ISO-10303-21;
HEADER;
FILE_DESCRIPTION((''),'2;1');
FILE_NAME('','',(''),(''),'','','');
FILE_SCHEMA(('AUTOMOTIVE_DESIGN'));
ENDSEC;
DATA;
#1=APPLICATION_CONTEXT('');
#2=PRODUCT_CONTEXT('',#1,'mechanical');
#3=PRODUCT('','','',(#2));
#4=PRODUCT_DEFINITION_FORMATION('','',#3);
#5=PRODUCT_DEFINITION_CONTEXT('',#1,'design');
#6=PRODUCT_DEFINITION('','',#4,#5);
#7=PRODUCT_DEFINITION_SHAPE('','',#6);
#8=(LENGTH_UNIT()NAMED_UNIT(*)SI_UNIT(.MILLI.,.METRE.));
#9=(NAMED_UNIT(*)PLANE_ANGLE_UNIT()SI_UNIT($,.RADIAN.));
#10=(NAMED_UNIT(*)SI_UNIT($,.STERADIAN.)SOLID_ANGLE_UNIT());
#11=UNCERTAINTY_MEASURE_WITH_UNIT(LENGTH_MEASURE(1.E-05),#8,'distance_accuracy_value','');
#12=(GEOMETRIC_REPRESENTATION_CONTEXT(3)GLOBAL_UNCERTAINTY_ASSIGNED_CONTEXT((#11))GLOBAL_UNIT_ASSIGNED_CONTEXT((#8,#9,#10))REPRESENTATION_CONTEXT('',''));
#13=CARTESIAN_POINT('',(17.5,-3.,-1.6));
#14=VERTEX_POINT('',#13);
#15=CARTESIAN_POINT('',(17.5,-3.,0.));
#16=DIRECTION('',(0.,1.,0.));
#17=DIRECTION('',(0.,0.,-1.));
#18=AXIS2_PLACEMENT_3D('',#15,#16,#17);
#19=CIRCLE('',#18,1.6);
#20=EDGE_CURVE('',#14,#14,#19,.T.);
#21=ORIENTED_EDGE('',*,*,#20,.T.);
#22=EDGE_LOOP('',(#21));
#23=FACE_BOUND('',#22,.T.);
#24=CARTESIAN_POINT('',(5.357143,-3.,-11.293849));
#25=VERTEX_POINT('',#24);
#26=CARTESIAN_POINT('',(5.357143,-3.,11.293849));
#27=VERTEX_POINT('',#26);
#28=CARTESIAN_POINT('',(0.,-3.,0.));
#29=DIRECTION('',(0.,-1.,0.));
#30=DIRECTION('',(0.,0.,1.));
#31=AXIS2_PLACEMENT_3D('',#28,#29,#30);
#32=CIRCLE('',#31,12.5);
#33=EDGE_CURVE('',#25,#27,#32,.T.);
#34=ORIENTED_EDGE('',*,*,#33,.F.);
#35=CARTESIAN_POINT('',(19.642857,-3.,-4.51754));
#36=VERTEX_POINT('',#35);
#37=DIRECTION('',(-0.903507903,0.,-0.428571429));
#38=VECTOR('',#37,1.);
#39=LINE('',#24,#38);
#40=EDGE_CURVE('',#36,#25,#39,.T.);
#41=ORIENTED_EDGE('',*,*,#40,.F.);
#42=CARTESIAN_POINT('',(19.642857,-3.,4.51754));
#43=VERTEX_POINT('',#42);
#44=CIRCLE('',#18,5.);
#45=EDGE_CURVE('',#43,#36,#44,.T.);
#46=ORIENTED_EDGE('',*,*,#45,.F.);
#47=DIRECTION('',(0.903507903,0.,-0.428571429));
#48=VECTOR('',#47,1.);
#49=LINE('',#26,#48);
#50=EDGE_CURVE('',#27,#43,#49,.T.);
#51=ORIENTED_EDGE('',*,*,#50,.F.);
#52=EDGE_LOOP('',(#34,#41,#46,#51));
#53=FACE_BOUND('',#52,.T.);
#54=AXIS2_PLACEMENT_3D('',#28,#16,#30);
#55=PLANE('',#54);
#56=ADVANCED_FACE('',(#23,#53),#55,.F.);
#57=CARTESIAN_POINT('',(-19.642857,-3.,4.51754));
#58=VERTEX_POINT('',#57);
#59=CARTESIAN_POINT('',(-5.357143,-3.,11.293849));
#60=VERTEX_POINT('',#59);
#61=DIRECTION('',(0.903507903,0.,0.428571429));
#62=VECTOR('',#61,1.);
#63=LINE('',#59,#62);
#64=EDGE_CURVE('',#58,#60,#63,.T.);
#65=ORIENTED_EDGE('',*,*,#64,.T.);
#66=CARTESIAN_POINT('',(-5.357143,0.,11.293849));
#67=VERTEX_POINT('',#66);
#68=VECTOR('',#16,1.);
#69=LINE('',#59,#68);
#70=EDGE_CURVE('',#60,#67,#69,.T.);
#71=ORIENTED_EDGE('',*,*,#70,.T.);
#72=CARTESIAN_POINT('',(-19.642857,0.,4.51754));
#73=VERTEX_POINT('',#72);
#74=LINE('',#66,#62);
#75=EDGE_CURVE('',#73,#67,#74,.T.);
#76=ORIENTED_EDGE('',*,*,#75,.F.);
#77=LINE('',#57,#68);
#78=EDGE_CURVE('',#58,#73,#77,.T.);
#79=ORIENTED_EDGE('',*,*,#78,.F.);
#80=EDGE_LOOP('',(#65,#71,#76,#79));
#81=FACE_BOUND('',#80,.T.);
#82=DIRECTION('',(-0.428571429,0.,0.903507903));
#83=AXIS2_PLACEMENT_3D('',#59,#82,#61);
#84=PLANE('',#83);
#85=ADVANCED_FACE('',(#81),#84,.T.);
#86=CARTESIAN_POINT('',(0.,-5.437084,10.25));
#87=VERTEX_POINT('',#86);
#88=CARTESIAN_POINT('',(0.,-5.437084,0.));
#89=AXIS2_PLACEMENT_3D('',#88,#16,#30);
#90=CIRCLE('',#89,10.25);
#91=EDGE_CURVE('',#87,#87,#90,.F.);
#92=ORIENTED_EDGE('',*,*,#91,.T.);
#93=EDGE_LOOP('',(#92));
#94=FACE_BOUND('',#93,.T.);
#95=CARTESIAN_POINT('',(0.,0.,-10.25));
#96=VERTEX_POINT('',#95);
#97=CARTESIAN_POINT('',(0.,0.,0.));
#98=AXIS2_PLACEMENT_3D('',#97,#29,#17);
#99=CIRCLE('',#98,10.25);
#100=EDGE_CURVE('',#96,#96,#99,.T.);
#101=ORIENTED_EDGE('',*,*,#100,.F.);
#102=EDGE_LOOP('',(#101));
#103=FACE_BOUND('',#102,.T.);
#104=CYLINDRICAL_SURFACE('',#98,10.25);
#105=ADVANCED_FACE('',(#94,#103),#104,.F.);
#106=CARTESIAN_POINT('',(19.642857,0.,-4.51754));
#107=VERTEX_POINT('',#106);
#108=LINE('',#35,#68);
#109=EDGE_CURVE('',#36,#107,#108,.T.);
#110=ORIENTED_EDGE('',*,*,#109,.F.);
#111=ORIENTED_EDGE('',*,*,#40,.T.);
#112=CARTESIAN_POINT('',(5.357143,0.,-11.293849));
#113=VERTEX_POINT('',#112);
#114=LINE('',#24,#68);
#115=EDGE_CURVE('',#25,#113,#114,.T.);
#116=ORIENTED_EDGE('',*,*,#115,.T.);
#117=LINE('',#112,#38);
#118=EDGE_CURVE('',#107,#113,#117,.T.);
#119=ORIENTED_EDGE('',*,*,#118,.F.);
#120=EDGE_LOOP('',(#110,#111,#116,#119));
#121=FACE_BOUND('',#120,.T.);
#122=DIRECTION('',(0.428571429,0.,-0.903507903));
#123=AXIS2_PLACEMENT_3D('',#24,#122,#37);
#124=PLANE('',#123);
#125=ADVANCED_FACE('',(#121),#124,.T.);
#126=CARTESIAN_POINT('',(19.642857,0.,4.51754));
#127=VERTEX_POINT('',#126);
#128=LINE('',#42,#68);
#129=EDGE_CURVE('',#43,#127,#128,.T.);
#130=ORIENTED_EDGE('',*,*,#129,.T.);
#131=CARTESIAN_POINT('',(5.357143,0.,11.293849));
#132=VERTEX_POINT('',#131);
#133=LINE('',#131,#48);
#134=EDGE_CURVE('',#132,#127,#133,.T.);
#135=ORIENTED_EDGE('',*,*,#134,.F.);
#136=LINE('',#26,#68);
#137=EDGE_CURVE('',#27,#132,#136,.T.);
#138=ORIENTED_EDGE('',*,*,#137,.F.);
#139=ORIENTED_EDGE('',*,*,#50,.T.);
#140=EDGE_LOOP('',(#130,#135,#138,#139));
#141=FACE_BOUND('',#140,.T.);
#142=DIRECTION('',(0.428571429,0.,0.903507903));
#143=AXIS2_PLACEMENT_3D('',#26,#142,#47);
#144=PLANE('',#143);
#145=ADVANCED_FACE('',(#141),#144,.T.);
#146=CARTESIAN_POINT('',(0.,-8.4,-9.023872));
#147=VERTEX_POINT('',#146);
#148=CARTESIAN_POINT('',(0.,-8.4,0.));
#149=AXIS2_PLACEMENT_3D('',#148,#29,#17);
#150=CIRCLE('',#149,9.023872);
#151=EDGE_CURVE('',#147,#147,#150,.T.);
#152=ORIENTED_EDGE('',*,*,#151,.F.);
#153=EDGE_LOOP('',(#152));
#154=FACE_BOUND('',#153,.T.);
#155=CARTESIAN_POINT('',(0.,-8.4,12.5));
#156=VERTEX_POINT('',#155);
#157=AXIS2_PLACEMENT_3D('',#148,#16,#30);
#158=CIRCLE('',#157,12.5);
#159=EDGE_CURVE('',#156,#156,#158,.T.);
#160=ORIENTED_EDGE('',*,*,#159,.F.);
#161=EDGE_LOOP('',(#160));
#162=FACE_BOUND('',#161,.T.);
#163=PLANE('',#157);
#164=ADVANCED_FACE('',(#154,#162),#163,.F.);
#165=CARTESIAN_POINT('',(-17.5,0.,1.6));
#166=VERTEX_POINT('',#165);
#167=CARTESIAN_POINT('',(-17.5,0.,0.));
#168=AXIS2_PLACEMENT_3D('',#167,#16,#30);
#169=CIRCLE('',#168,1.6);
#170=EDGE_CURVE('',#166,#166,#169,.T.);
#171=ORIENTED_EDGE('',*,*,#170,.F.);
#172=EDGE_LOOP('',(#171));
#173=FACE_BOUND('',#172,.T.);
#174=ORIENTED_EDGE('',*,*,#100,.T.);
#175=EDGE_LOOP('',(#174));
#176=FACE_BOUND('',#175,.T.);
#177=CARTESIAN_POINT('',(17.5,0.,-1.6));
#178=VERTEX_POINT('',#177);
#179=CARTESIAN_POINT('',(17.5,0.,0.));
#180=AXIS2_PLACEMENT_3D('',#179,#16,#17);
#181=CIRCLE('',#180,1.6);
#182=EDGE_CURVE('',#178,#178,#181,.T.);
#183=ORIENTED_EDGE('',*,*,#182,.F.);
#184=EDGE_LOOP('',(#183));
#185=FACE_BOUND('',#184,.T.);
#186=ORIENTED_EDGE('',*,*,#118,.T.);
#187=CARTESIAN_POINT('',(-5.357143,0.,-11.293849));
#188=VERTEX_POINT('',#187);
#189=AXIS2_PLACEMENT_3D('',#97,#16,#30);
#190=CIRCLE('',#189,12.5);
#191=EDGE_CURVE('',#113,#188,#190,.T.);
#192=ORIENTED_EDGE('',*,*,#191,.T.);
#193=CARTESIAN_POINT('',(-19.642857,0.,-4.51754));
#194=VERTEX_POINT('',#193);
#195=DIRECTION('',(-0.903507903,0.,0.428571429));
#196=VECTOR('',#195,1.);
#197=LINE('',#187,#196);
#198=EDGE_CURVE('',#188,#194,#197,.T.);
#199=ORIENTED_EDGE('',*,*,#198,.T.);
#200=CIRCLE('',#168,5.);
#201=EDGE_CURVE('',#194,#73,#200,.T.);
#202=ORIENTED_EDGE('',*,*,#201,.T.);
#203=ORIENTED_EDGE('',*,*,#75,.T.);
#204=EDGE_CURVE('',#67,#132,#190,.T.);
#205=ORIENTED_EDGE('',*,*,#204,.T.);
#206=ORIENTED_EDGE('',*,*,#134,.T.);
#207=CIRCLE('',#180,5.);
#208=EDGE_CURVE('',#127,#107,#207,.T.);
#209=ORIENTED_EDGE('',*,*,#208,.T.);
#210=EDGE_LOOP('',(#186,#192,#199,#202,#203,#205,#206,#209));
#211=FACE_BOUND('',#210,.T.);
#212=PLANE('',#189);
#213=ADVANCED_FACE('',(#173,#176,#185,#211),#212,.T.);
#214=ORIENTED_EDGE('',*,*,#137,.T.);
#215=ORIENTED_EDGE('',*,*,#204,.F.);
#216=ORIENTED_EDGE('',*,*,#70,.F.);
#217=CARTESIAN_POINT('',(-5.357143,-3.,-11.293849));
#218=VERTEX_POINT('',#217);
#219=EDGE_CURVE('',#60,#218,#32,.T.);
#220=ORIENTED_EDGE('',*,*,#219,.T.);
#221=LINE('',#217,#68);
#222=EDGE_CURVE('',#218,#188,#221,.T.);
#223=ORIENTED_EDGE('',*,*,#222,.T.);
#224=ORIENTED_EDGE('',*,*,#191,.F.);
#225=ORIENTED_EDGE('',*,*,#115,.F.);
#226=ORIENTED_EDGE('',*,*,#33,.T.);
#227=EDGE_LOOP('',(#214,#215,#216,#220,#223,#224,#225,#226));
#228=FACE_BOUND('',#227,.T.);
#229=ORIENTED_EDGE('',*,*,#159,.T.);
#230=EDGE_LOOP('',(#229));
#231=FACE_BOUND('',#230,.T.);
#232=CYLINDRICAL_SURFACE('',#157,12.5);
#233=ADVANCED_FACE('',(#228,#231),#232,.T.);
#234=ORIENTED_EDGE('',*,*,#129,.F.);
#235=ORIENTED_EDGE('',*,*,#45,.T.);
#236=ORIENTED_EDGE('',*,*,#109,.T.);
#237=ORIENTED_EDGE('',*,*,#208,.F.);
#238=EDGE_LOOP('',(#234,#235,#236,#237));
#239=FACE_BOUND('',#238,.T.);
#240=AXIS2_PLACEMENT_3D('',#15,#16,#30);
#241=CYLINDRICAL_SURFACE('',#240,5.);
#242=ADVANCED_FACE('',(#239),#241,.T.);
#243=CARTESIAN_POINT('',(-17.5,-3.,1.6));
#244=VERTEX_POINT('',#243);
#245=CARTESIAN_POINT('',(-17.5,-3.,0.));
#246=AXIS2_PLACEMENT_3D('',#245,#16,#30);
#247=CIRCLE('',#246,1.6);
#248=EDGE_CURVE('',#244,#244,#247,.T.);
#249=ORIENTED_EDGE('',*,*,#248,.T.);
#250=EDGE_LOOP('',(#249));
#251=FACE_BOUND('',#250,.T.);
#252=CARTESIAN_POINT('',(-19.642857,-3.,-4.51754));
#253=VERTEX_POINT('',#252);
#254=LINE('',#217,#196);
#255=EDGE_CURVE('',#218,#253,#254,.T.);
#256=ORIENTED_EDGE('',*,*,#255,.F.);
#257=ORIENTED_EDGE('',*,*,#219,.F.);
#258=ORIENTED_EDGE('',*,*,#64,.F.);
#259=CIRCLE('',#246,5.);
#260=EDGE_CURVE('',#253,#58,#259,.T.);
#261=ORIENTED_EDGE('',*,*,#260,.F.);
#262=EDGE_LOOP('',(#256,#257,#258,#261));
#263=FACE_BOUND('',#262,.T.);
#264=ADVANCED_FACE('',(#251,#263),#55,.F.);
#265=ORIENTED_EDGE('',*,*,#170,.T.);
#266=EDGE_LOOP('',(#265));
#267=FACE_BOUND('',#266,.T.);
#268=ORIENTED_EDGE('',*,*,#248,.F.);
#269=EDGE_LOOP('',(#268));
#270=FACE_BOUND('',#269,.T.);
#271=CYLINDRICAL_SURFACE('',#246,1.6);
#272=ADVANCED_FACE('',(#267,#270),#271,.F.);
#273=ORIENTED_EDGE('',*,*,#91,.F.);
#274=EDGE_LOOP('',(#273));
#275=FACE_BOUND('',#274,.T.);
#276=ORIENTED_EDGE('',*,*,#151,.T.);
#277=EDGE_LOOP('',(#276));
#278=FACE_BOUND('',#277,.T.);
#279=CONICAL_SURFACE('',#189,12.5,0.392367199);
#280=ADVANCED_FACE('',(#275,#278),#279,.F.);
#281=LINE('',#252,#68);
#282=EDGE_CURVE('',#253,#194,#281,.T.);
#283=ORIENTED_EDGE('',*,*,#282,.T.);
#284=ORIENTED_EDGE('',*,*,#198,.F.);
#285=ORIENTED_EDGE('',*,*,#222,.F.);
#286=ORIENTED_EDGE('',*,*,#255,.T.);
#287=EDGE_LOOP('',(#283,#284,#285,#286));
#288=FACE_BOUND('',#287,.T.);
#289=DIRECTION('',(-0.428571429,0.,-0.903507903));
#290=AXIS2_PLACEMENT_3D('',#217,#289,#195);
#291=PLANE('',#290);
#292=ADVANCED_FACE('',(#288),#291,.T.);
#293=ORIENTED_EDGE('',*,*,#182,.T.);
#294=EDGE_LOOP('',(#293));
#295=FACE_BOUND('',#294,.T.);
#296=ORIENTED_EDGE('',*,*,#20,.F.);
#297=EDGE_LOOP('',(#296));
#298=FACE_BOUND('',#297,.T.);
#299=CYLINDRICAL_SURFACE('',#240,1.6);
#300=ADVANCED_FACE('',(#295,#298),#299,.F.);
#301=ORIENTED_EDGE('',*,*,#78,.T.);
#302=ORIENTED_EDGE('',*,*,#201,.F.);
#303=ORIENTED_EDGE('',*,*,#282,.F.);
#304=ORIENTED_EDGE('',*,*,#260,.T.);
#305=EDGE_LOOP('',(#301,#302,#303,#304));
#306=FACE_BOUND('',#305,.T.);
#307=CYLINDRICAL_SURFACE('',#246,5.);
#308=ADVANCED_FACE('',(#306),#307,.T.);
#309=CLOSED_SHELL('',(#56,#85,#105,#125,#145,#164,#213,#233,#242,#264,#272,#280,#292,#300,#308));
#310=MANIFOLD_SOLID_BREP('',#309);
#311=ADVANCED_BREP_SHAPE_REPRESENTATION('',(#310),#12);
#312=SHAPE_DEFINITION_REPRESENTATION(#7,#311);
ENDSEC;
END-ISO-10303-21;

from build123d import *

# Parameters (mm, degrees)
SKETCH1_R               = 12.5
BOSS_EXTRUDE1_DEPTH     = 8.4
SKETCH2_R               = 10.25
CUT_EXTRUDE1_DEPTH      = 1
CUT_EXTRUDE1_DEPTH_BACK = 9.4
SKETCH4_R               = 1.6
BOSS_EXTRUDE2_DEPTH     = 3


with BuildPart() as part:
    # Sketch1 → Boss-Extrude1 (new body)
    with BuildSketch(Plane(origin=(0, 0, 0), x_dir=(1, 0, 0), z_dir=(0, 1, 0))):
        Circle(SKETCH1_R)
    extrude(amount=-BOSS_EXTRUDE1_DEPTH)

    # Sketch2 → Cut-Extrude1 (cut, two sides)
    with BuildSketch(Plane.XZ.offset(8.4)) as cut_extrude1_sk:
        Circle(SKETCH2_R)
    extrude(amount=CUT_EXTRUDE1_DEPTH, mode=Mode.SUBTRACT)
    extrude(cut_extrude1_sk.sketch, amount=-CUT_EXTRUDE1_DEPTH_BACK, mode=Mode.SUBTRACT)

    # Sketch3 → Revolve1 (revolve)
    with BuildSketch(Plane(origin=(0, 0, 0), x_dir=(0, 0, -1), z_dir=(1, 0, 0))):
        Polygon((9.023871751, -8.4), (12.5, 0), (12.5, -8.4), align=None)
    revolve(axis=Axis((0, -24.717, 0), (0, 1, 0)))

    # Sketch4 → Boss-Extrude2 (add)
    with BuildSketch(Plane(origin=(0, 0, 0), x_dir=(1, 0, 0), z_dir=(0, 1, 0))):
        with BuildLine():
            Line((-5.357142857, 11.293848786), (-19.642857143, 4.517539515))
            ThreePointArc((-19.642857143, 4.517539515), (-22.5, 0), (-19.642857143, -4.517539515))
            Line((-19.642857143, -4.517539515), (-5.357142857, -11.293848786))
            ThreePointArc((-5.357142857, -11.293848786), (-12.5, 0), (-5.357142857, 11.293848786))
        make_face()
        with Locations((-17.5, 0)):
            Circle(SKETCH4_R, mode=Mode.SUBTRACT)
        with BuildLine():
            Line((5.357142857, -11.293848786), (19.642857143, -4.517539515))
            ThreePointArc((19.642857143, -4.517539515), (22.5, 0), (19.642857143, 4.517539515))
            Line((19.642857143, 4.517539515), (5.357142857, 11.293848786))
            ThreePointArc((5.357142857, 11.293848786), (12.5, 0), (5.357142857, -11.293848786))
        make_face()
        with Locations((17.5, 0)):
            Circle(SKETCH4_R, mode=Mode.SUBTRACT)
    extrude(amount=-BOSS_EXTRUDE2_DEPTH)


solid = part.part
